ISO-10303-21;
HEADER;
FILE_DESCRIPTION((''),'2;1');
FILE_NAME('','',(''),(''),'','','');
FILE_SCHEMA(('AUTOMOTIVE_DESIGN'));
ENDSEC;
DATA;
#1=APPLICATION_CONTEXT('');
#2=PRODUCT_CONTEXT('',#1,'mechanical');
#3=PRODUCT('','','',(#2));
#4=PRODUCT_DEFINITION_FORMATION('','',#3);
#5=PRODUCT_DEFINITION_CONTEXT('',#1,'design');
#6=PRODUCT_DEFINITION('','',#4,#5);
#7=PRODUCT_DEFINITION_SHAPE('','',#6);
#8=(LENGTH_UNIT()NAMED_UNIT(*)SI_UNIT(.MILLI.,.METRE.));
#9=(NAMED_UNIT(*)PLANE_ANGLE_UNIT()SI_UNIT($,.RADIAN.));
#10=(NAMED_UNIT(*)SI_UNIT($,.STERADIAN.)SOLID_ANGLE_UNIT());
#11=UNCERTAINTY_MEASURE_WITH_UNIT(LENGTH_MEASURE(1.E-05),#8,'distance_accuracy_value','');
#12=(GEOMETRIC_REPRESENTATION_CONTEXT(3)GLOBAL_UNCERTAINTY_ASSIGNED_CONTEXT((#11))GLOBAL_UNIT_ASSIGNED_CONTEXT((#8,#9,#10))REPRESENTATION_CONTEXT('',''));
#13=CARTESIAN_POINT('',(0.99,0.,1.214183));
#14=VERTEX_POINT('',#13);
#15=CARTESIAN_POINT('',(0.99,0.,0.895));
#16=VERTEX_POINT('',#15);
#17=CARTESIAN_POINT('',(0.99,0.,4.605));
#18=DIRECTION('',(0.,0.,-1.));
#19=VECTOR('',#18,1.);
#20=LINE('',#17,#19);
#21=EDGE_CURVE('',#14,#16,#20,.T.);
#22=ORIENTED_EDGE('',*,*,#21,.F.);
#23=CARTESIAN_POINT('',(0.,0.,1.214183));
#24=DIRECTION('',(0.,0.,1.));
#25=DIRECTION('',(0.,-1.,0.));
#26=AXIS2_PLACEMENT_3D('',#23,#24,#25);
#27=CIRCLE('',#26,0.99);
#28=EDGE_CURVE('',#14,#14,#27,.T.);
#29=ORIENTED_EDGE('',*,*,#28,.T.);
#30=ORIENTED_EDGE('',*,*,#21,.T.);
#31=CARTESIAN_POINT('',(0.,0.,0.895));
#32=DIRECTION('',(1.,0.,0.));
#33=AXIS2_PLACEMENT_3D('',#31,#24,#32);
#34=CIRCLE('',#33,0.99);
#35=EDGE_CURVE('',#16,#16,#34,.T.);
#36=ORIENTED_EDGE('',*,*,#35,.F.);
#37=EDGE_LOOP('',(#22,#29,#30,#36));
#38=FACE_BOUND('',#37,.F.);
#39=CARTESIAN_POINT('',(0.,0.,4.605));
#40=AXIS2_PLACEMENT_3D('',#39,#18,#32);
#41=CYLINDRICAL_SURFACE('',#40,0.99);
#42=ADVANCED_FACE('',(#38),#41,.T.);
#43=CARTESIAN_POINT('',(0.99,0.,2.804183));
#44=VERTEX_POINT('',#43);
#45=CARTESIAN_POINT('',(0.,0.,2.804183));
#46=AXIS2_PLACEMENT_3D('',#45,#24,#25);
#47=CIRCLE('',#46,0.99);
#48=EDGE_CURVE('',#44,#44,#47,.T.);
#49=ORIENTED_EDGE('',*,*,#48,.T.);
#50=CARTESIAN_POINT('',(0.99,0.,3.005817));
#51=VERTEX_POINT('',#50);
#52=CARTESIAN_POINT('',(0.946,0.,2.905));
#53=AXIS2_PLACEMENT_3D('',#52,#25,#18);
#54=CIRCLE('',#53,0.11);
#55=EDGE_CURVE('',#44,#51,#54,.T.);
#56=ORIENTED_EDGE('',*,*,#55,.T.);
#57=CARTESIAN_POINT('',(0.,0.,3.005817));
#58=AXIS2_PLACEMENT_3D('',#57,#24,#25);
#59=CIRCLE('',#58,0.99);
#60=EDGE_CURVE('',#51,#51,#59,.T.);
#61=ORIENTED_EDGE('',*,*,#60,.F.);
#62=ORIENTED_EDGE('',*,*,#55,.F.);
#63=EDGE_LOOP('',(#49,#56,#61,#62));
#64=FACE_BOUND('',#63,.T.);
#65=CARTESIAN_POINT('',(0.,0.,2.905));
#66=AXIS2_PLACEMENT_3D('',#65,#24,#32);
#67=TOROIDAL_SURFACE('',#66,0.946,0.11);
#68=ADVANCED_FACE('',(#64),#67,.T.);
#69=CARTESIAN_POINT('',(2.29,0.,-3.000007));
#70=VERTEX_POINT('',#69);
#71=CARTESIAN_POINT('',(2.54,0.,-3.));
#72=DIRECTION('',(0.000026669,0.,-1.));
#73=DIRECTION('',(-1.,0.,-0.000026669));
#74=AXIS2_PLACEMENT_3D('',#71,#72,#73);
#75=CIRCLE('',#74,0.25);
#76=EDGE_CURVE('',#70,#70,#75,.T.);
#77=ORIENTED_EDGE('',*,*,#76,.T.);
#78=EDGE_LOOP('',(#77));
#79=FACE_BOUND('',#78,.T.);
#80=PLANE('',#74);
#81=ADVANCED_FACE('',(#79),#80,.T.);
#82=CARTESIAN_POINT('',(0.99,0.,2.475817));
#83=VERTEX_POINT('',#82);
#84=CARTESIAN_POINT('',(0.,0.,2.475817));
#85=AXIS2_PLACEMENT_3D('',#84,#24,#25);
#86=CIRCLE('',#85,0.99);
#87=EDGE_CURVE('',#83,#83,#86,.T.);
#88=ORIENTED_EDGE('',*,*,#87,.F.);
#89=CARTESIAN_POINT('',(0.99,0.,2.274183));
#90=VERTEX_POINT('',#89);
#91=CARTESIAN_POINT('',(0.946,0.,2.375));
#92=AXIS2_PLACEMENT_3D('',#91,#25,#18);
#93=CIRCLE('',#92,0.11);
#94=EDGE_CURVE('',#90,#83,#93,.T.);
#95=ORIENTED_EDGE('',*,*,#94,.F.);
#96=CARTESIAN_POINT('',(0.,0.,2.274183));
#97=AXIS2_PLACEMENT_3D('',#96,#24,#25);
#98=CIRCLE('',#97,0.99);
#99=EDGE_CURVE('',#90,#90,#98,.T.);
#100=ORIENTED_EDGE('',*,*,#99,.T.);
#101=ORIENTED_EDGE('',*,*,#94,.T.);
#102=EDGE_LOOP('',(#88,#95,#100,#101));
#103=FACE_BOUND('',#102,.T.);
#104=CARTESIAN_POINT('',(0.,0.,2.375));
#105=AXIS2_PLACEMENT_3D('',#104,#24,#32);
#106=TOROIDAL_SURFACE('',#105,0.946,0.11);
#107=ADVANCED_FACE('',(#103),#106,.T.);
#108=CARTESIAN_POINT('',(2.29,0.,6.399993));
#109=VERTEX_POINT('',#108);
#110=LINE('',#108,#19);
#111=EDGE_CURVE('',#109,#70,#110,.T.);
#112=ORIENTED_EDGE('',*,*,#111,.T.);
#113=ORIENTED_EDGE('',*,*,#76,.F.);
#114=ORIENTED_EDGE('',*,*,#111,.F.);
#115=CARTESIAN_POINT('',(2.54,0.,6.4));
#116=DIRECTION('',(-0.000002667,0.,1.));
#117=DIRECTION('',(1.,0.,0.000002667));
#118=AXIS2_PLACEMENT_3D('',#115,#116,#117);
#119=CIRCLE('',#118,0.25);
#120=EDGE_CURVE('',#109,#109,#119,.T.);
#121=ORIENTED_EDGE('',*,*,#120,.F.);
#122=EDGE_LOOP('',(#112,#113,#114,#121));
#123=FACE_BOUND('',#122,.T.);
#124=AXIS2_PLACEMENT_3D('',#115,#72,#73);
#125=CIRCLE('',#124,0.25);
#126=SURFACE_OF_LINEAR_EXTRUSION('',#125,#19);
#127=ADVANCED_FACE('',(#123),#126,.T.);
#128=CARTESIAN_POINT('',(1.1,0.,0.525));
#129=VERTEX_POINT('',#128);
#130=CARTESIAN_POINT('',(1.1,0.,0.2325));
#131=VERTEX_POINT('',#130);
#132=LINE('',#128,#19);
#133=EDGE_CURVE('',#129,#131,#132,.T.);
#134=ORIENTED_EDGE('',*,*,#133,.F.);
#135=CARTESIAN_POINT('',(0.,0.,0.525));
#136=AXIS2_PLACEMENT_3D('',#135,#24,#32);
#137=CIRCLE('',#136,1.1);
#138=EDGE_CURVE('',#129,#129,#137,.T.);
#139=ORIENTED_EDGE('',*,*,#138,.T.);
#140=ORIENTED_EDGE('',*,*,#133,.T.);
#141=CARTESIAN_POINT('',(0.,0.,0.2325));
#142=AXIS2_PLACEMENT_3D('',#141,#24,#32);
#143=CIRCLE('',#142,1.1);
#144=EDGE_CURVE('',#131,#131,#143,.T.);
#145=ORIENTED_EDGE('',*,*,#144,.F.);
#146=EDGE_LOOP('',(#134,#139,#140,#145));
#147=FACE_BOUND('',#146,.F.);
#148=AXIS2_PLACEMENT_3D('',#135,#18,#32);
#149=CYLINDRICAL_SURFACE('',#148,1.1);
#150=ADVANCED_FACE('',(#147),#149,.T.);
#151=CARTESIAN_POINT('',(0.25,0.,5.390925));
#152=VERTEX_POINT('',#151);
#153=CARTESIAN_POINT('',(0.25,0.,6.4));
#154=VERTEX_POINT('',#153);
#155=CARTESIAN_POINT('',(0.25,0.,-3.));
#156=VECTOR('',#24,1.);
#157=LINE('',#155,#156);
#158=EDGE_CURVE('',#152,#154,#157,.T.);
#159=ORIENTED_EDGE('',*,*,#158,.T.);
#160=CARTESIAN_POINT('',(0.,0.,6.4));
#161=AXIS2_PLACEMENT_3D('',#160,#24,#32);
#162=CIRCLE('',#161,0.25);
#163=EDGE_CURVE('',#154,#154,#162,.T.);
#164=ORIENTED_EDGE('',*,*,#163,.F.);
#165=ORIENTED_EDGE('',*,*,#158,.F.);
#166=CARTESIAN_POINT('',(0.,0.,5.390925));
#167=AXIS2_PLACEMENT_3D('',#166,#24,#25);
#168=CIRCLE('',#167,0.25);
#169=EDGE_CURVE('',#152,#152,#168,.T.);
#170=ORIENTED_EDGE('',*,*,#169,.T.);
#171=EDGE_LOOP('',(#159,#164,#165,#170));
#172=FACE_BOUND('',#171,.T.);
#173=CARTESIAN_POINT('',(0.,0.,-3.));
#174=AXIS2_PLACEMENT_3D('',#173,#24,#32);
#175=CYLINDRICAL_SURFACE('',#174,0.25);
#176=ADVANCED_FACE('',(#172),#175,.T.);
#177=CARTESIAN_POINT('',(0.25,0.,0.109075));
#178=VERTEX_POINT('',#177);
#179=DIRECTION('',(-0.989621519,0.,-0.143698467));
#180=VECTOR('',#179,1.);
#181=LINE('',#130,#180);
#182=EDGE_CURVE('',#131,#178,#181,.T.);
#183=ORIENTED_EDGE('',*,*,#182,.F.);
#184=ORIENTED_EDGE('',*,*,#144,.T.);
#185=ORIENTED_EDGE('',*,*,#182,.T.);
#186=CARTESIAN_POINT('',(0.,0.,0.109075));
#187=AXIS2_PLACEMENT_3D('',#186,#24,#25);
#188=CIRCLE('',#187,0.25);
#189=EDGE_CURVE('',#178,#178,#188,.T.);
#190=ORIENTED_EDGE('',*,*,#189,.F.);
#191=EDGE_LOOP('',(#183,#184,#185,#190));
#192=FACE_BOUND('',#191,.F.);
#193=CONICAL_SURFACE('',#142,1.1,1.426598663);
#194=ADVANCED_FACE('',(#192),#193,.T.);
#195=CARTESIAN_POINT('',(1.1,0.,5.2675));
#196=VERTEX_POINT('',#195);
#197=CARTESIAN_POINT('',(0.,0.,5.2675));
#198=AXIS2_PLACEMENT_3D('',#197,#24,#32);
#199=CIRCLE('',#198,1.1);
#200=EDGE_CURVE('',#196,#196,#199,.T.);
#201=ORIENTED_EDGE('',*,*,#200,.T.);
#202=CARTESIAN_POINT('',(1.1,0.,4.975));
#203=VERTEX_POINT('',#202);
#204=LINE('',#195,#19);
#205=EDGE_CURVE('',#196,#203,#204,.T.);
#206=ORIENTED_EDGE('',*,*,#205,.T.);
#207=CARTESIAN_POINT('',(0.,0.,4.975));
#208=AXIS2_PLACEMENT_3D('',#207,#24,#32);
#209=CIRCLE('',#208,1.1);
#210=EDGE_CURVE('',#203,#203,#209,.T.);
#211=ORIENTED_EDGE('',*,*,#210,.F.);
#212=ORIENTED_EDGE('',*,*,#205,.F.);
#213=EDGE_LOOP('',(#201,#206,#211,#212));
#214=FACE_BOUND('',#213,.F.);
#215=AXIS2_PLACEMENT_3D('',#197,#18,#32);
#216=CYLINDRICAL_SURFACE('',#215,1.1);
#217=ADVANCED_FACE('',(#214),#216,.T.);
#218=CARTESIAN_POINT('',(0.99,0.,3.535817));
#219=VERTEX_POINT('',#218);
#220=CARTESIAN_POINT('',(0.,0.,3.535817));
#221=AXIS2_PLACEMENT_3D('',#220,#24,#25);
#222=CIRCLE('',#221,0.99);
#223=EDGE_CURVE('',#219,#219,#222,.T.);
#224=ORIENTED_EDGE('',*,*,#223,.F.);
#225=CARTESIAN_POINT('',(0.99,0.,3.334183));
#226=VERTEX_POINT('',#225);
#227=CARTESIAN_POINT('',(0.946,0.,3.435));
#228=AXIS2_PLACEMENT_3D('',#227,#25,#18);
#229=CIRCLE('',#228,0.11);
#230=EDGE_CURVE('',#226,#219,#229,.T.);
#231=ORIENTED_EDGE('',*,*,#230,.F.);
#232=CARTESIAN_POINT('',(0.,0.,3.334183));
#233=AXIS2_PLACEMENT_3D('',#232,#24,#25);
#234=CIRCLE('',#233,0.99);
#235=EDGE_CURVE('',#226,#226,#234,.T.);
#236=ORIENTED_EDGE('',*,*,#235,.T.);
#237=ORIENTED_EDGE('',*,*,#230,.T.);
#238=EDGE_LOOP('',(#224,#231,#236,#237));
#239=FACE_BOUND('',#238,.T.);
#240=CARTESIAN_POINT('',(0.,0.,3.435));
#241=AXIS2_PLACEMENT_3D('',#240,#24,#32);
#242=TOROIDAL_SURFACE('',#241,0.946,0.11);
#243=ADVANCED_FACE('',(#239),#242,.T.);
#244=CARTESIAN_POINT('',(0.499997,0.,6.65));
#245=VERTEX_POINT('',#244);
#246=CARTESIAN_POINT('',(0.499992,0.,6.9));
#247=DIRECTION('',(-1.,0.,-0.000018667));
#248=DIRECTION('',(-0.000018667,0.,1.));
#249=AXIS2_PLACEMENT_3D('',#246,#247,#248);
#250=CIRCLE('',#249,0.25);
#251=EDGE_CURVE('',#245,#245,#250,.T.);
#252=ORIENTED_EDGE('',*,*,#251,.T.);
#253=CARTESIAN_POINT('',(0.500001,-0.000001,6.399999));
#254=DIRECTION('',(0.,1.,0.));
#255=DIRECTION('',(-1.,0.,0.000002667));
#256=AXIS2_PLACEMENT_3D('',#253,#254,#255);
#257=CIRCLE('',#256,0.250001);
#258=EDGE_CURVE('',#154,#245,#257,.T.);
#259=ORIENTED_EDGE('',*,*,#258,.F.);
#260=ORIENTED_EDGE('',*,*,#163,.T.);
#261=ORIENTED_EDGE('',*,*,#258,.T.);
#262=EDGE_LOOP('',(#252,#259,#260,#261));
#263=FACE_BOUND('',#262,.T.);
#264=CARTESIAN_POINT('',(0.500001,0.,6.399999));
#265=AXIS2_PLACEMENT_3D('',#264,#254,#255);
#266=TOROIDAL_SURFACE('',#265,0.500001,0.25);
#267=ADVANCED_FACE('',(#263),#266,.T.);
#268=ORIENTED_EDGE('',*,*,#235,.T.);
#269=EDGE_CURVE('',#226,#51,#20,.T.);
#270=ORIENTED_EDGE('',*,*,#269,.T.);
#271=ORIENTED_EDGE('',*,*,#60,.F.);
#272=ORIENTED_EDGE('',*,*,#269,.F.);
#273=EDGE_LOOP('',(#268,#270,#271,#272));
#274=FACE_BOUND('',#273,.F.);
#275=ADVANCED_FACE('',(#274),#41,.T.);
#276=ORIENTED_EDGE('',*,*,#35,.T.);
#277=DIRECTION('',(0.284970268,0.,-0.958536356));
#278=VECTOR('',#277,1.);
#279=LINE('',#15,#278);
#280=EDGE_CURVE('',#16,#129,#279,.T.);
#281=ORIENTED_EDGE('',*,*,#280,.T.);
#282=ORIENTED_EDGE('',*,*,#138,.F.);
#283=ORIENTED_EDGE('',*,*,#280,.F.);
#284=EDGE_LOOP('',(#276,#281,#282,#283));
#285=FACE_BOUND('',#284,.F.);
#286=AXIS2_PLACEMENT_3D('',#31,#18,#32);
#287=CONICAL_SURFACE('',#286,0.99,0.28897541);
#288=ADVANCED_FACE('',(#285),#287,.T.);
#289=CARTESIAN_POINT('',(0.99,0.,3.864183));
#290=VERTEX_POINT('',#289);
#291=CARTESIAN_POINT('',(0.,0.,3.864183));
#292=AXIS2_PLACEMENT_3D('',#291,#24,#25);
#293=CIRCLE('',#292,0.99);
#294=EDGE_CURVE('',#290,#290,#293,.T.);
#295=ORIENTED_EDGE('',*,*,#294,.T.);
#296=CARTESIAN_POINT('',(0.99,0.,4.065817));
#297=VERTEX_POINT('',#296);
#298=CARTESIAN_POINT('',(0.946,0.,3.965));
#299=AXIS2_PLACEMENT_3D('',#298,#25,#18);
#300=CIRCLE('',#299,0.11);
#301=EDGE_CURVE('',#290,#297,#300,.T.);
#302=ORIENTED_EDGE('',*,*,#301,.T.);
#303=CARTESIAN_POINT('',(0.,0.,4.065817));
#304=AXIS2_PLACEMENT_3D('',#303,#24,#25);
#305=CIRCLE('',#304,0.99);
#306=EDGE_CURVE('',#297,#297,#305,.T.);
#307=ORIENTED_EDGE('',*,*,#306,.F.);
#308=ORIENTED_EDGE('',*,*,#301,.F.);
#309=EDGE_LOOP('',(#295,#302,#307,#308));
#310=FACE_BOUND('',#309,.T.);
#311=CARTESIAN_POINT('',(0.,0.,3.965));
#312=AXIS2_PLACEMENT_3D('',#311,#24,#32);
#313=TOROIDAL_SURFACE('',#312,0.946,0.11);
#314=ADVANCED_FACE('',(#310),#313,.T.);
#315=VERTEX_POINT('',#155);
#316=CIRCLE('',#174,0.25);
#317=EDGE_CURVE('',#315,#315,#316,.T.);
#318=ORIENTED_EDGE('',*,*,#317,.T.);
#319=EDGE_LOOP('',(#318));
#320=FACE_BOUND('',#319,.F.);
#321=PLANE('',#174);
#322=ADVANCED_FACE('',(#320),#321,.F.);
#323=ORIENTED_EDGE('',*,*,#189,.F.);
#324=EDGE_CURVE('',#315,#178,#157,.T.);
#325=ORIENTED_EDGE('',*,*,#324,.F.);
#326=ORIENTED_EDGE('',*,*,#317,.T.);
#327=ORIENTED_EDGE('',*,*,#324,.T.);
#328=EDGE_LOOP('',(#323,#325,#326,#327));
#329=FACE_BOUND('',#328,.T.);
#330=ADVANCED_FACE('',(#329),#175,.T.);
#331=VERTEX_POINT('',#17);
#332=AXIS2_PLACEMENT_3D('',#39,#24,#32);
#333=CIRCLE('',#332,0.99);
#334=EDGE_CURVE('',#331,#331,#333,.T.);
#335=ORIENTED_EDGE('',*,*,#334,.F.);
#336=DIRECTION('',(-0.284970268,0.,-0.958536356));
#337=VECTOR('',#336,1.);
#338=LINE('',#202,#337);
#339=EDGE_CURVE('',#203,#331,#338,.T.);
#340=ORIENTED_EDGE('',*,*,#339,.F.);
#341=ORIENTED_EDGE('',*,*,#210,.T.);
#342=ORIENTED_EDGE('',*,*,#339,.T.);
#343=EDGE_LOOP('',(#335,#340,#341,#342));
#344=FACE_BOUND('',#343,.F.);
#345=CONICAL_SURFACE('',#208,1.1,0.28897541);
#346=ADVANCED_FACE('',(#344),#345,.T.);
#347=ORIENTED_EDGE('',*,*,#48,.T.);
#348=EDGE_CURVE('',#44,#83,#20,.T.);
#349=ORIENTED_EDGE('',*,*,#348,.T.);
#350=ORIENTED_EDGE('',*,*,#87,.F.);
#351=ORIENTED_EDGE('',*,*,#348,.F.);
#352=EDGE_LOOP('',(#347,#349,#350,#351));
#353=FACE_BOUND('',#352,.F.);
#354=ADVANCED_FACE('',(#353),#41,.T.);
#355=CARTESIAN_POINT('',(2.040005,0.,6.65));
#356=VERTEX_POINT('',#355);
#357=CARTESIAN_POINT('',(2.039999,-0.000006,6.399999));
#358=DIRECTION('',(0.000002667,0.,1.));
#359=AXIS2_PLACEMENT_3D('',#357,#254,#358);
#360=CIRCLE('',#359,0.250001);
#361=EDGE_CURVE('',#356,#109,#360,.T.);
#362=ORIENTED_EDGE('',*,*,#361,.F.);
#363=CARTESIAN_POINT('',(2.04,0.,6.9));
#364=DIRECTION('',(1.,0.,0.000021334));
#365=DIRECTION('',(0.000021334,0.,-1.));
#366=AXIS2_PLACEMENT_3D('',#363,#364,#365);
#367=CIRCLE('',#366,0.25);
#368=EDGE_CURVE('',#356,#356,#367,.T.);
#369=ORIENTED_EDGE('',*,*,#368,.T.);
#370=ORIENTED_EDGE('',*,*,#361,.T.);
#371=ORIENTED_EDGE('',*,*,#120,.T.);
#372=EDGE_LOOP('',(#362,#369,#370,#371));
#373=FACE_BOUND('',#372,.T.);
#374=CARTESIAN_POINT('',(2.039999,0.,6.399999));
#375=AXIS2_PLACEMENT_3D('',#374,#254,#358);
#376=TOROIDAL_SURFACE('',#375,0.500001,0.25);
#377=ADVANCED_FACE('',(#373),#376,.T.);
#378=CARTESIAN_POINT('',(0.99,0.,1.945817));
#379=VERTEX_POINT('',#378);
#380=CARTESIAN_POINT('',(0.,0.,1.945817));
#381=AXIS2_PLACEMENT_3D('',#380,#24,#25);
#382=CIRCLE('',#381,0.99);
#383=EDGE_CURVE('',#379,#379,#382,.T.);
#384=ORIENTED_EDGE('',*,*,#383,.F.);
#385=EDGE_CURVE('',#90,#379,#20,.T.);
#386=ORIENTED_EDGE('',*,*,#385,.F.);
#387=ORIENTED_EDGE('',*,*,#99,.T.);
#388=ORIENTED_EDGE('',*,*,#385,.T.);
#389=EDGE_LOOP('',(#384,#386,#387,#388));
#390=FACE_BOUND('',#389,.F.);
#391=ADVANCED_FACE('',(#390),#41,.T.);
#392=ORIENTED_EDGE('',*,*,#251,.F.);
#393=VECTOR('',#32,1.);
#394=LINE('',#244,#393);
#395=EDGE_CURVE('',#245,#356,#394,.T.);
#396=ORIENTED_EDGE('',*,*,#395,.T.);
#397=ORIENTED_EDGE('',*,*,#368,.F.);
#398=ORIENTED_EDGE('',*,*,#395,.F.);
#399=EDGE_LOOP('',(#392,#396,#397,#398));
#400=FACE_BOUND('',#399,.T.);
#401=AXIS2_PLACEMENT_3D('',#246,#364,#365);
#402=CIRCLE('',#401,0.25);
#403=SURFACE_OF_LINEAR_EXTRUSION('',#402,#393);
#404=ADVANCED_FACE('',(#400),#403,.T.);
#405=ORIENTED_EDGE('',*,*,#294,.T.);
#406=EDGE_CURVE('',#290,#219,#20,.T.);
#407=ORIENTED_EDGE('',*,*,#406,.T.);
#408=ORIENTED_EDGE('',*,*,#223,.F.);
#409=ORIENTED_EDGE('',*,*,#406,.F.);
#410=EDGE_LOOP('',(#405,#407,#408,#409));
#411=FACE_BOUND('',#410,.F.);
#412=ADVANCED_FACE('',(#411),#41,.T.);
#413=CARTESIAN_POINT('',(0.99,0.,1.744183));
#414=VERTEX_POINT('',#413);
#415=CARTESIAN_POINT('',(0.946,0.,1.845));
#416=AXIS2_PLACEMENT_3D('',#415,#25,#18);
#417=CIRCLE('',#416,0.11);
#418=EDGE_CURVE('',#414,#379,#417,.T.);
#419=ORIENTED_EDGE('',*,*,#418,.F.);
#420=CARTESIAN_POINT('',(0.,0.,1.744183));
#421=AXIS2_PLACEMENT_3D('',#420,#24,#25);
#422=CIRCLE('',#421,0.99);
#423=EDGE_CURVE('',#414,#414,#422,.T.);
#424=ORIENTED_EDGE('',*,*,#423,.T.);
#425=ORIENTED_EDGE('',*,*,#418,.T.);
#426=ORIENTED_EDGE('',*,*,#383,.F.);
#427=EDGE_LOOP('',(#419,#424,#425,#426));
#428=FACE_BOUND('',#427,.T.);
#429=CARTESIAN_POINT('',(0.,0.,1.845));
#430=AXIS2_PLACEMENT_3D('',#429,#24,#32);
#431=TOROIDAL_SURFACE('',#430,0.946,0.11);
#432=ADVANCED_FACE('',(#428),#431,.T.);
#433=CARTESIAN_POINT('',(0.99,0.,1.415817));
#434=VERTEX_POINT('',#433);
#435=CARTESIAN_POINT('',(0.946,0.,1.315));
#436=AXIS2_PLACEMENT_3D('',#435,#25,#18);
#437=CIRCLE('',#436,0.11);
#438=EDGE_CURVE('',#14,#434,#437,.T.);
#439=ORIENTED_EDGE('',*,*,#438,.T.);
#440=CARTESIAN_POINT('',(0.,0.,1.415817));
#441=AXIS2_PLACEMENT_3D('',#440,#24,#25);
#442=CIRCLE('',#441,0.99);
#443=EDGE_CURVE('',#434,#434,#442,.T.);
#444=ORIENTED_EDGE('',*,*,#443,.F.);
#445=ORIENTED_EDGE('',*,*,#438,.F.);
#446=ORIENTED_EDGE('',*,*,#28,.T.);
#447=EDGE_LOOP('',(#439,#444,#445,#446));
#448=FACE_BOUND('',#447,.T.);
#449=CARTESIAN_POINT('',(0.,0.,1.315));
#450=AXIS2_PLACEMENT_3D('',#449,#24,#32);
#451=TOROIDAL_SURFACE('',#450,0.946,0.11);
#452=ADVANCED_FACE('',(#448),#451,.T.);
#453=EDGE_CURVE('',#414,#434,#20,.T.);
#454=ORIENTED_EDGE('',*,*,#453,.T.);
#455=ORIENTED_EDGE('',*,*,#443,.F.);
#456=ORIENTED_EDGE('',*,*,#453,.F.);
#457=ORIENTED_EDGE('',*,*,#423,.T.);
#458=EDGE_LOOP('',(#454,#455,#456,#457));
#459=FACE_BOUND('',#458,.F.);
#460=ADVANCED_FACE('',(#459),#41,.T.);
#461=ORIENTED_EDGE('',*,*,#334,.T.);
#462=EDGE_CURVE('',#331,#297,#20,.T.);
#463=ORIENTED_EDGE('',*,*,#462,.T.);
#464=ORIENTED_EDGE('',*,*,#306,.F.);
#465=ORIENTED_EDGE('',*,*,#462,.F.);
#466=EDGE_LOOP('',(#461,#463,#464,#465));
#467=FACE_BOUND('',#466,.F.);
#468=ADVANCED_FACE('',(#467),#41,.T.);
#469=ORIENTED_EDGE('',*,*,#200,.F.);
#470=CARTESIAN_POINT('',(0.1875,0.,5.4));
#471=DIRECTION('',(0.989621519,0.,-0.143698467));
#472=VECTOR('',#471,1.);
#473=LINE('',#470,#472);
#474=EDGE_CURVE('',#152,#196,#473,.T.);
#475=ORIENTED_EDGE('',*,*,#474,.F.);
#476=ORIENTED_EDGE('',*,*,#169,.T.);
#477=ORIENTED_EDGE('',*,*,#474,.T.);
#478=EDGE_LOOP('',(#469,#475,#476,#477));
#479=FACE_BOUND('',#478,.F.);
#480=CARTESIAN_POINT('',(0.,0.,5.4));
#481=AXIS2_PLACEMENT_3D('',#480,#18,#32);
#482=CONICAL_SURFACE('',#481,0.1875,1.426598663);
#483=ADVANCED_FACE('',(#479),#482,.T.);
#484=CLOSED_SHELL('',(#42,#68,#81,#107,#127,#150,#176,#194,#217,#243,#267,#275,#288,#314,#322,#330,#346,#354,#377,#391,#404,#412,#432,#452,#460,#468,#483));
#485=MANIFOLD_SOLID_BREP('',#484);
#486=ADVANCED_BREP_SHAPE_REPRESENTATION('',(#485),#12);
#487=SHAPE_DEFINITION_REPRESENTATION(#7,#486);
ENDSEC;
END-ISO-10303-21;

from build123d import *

# Parameters (mm, degrees)
SKETCH_R = 0.25


with BuildPart() as revolution:
    # Sketch002 → Revolution (revolve)
    with BuildSketch(Plane.XZ):
        Polygon((0, 0.1), (0, 5.4), (0.1875, 5.4), (1.1, 5.2675), (1.1, 4.975), (0.99, 4.605), (0.99, 0.895), (1.1, 0.525), (1.1, 0.2325), (0.1875, 0.1), align=None)
    revolve(axis=Axis((0, 0, 0), (0, 0, 1)))


with BuildPart() as revolution001:
    # Sketch003 → Revolution001 (revolve)
    with BuildSketch(Plane.XZ):
        with BuildLine():
            Line((0.88, 4.385), (0.88, 0.895))
            Line((0.88, 0.895), (0.946, 0.895))
            Line((0.946, 0.895), (0.946, 1.205))
            ThreePointArc((0.946, 1.205), (1.056, 1.315), (0.946, 1.425))
            Line((0.946, 1.425), (0.946, 1.735))
            ThreePointArc((0.946, 1.735), (1.056, 1.845), (0.946, 1.955))
            Line((0.946, 1.955), (0.946, 2.265))
            ThreePointArc((0.946, 2.265), (1.056, 2.375), (0.946, 2.485))
            Line((0.946, 2.485), (0.946, 2.795))
            ThreePointArc((0.946, 2.795), (1.056, 2.905), (0.946, 3.015))
            Line((0.946, 3.015), (0.946, 3.325))
            ThreePointArc((0.946, 3.325), (1.056, 3.435), (0.946, 3.545))
            Line((0.946, 3.545), (0.946, 3.855))
            ThreePointArc((0.946, 3.855), (1.056, 3.965), (0.946, 4.075))
            Line((0.946, 4.385), (0.946, 4.075))
            Line((0.88, 4.385), (0.946, 4.385))
        make_face()
    revolve(axis=Axis((0, 0, 0), (0, 0, 1)))


with BuildPart() as sweep_mp_cp:
    # Sweep: sweep along a path in Sketch001
    with BuildLine(Plane.XZ) as sweep_path:
        Line((0, -3), (0, 6.4))
        ThreePointArc((0, 6.4), (0.146444, 6.75355), (0.499992, 6.9))
        Line((0.499992, 6.9), (2.04, 6.9))
        ThreePointArc((2.04, 6.9), (2.393553, 6.753553), (2.54, 6.4))
        Line((2.54, 6.4), (2.54, -3))
    # Sketch → Sweep (sweep)
    with BuildSketch(Plane.XY.offset(-2)):
        Circle(SKETCH_R)
    sweep(path=sweep_path.line)

    # Sweep_mp_cp: union Revolution, Revolution001
    add(revolution.part)
    add(revolution001.part)


solid = sweep_mp_cp.part
